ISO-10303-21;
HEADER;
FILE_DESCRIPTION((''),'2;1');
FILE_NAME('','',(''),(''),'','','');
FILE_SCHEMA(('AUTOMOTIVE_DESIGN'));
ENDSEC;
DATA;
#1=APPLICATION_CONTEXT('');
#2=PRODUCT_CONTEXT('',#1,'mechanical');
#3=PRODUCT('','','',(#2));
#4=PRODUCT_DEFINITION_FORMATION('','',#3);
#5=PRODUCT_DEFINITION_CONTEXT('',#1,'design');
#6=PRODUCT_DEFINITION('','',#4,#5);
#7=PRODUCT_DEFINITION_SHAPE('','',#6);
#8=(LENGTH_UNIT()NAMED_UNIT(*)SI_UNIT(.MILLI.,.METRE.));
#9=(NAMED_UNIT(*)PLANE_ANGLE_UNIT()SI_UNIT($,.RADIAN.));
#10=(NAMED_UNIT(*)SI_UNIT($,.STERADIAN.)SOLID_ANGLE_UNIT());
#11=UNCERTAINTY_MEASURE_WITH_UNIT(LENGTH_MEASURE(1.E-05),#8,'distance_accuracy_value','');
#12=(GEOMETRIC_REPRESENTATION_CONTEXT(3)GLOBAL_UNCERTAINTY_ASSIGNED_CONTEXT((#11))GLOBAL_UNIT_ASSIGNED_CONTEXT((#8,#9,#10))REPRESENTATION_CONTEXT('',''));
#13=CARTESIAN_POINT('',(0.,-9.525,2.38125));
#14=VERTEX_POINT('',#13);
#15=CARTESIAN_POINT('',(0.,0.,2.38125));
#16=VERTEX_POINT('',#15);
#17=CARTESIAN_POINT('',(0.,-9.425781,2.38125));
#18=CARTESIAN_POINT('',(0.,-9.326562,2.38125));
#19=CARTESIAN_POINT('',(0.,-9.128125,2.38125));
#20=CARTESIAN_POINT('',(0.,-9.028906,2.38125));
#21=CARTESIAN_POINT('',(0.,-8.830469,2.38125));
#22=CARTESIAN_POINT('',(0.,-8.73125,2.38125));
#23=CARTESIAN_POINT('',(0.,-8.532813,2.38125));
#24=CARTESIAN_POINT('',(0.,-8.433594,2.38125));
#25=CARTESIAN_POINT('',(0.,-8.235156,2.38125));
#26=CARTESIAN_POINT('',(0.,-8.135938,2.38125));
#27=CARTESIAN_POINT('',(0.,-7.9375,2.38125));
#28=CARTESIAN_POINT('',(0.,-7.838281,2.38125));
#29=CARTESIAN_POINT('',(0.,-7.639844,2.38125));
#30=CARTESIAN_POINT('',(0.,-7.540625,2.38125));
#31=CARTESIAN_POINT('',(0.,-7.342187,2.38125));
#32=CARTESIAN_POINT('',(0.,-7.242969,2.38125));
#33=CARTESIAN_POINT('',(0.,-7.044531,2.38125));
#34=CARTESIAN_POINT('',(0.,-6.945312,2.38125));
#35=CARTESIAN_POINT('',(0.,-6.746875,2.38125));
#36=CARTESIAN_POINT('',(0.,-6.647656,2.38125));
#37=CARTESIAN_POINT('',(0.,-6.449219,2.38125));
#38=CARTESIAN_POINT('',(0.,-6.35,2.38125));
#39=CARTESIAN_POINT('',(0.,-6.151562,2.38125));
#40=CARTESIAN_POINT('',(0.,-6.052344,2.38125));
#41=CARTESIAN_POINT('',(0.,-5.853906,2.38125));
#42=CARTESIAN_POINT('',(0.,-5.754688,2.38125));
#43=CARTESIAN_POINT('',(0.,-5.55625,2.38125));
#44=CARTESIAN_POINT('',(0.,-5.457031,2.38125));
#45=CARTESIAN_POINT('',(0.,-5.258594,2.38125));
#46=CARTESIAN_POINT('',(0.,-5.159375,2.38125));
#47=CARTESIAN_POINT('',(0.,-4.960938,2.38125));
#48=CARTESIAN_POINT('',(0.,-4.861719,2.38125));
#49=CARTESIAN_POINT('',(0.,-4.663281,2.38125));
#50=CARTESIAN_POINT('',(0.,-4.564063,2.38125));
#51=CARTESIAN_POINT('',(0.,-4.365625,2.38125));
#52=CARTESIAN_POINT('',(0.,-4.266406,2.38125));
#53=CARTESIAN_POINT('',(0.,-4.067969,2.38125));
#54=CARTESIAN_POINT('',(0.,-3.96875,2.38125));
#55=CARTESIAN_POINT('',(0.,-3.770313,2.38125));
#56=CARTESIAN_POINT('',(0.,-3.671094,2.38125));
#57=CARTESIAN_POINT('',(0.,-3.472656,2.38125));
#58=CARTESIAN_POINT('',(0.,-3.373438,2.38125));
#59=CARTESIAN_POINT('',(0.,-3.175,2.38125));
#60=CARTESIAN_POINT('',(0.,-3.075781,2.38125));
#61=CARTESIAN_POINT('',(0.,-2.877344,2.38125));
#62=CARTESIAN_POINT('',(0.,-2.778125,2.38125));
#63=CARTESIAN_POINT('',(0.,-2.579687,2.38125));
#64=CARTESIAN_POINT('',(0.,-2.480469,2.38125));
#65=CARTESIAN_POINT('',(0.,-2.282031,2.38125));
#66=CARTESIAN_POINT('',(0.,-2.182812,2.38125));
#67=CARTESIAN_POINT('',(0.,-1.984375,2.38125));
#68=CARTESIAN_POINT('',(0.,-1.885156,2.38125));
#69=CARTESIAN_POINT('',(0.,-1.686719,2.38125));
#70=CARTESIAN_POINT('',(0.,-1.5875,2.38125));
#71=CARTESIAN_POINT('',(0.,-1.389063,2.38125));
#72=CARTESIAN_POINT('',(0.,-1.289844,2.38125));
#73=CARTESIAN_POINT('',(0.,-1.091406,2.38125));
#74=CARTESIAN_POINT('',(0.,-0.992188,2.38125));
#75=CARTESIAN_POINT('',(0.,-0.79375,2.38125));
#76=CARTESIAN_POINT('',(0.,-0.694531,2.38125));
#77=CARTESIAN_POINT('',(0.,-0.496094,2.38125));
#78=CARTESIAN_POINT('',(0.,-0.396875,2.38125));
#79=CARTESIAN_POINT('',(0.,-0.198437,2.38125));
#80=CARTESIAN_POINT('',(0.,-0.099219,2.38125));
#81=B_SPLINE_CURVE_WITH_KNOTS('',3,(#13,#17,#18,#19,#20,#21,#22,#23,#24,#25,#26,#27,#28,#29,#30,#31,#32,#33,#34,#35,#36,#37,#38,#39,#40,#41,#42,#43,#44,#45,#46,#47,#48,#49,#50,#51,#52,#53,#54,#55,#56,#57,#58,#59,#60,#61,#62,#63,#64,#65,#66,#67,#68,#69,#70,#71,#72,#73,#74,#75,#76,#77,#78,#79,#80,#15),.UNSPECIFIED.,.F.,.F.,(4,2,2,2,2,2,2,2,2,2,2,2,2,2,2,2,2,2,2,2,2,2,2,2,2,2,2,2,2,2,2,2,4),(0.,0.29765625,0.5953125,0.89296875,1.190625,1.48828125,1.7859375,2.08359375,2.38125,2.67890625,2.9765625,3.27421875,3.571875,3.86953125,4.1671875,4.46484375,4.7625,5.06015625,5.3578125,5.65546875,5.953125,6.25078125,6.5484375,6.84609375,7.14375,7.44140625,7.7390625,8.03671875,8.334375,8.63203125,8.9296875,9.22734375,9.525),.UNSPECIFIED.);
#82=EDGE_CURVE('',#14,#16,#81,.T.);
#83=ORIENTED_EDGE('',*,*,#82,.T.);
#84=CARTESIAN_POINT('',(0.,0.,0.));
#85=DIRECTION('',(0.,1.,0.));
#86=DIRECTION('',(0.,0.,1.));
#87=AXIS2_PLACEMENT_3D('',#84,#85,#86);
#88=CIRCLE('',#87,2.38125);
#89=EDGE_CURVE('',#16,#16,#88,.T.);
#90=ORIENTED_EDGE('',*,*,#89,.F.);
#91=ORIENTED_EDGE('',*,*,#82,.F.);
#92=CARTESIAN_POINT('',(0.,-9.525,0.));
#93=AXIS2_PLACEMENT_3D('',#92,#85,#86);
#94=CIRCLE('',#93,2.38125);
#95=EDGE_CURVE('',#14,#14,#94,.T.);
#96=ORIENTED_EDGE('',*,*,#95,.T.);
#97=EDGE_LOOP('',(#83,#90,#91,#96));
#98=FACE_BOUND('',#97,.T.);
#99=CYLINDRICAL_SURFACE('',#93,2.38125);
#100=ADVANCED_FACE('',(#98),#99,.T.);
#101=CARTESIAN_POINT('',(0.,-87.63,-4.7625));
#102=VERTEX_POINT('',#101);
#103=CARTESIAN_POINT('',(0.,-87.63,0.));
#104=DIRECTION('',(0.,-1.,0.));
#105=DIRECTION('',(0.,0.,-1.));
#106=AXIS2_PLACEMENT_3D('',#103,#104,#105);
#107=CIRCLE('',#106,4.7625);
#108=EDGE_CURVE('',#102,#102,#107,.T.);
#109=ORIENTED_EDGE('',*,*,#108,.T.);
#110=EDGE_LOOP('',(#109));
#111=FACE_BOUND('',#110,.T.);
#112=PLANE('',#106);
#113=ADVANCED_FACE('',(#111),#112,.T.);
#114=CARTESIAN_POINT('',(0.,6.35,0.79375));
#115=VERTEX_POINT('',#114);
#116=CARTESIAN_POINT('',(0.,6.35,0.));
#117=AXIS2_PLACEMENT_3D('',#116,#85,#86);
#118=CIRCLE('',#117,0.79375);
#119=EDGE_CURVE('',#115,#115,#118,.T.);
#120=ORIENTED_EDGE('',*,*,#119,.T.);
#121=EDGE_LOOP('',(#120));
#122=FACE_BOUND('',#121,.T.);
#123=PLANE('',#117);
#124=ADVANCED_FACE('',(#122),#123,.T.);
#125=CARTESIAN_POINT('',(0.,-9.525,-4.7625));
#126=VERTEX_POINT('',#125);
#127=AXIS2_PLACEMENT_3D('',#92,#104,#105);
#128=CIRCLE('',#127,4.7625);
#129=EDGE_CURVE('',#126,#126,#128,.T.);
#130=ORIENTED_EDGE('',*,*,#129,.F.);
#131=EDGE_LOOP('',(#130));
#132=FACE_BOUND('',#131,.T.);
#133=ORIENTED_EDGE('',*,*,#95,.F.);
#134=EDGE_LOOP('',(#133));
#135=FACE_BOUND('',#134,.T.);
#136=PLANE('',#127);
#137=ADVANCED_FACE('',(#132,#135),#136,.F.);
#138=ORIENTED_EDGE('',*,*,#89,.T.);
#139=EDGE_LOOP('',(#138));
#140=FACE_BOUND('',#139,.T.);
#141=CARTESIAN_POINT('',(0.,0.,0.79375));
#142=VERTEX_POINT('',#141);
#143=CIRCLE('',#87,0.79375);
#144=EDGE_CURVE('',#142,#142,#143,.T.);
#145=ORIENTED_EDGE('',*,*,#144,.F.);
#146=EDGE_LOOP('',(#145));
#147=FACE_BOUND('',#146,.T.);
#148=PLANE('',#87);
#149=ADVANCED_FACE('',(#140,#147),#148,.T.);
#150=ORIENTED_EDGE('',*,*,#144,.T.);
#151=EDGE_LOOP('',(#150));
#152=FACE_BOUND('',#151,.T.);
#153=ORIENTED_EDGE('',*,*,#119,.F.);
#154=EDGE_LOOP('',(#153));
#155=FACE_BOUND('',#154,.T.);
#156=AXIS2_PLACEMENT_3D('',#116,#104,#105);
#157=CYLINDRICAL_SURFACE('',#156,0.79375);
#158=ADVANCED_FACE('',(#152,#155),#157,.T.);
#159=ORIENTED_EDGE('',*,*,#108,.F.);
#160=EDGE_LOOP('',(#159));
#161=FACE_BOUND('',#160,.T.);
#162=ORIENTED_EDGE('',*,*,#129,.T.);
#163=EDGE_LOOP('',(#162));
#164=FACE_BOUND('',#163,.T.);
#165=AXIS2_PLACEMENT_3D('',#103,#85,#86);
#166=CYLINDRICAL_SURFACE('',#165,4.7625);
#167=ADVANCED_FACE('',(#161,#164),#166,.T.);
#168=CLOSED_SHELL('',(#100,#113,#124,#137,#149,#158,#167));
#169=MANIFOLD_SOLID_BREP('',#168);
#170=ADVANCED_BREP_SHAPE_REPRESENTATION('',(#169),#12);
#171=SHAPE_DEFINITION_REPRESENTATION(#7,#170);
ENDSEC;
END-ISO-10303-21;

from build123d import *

# Parameters (mm, degrees)
SKETCH1_R           = 2.38125
BOSS_EXTRUDE1_DEPTH = 9.525
SKETCH2_R           = 4.7625
BOSS_EXTRUDE2_DEPTH = 78.105
SKETCH3_R           = 0.79375
BOSS_EXTRUDE3_DEPTH = 6.35


with BuildPart() as part:
    # Sketch1 → Boss-Extrude1 (new body)
    with BuildSketch(Plane(origin=(0, 0, 0), x_dir=(1, 0, 0), z_dir=(0, 1, 0))):
        with Locations(Location((0, 0, 0), (0, 0, 270))):
            Circle(SKETCH1_R)
    extrude(amount=-BOSS_EXTRUDE1_DEPTH)

    # Sketch2 → Boss-Extrude2 (add)
    with BuildSketch(Plane(origin=(0, -9.525, 0), x_dir=(-1, 0, 0), z_dir=(0, -1, 0))):
        with Locations(Location((0, 0, 0), (0, 0, 90))):
            Circle(SKETCH2_R)
    extrude(amount=BOSS_EXTRUDE2_DEPTH)

    # Sketch3 → Boss-Extrude3 (add)
    with BuildSketch(Plane(origin=(0, 0, 0), x_dir=(1, 0, 0), z_dir=(0, 1, 0))):
        with Locations(Location((0, 0, 0), (0, 0, 270))):
            Circle(SKETCH3_R)
    extrude(amount=BOSS_EXTRUDE3_DEPTH)


solid = part.part
